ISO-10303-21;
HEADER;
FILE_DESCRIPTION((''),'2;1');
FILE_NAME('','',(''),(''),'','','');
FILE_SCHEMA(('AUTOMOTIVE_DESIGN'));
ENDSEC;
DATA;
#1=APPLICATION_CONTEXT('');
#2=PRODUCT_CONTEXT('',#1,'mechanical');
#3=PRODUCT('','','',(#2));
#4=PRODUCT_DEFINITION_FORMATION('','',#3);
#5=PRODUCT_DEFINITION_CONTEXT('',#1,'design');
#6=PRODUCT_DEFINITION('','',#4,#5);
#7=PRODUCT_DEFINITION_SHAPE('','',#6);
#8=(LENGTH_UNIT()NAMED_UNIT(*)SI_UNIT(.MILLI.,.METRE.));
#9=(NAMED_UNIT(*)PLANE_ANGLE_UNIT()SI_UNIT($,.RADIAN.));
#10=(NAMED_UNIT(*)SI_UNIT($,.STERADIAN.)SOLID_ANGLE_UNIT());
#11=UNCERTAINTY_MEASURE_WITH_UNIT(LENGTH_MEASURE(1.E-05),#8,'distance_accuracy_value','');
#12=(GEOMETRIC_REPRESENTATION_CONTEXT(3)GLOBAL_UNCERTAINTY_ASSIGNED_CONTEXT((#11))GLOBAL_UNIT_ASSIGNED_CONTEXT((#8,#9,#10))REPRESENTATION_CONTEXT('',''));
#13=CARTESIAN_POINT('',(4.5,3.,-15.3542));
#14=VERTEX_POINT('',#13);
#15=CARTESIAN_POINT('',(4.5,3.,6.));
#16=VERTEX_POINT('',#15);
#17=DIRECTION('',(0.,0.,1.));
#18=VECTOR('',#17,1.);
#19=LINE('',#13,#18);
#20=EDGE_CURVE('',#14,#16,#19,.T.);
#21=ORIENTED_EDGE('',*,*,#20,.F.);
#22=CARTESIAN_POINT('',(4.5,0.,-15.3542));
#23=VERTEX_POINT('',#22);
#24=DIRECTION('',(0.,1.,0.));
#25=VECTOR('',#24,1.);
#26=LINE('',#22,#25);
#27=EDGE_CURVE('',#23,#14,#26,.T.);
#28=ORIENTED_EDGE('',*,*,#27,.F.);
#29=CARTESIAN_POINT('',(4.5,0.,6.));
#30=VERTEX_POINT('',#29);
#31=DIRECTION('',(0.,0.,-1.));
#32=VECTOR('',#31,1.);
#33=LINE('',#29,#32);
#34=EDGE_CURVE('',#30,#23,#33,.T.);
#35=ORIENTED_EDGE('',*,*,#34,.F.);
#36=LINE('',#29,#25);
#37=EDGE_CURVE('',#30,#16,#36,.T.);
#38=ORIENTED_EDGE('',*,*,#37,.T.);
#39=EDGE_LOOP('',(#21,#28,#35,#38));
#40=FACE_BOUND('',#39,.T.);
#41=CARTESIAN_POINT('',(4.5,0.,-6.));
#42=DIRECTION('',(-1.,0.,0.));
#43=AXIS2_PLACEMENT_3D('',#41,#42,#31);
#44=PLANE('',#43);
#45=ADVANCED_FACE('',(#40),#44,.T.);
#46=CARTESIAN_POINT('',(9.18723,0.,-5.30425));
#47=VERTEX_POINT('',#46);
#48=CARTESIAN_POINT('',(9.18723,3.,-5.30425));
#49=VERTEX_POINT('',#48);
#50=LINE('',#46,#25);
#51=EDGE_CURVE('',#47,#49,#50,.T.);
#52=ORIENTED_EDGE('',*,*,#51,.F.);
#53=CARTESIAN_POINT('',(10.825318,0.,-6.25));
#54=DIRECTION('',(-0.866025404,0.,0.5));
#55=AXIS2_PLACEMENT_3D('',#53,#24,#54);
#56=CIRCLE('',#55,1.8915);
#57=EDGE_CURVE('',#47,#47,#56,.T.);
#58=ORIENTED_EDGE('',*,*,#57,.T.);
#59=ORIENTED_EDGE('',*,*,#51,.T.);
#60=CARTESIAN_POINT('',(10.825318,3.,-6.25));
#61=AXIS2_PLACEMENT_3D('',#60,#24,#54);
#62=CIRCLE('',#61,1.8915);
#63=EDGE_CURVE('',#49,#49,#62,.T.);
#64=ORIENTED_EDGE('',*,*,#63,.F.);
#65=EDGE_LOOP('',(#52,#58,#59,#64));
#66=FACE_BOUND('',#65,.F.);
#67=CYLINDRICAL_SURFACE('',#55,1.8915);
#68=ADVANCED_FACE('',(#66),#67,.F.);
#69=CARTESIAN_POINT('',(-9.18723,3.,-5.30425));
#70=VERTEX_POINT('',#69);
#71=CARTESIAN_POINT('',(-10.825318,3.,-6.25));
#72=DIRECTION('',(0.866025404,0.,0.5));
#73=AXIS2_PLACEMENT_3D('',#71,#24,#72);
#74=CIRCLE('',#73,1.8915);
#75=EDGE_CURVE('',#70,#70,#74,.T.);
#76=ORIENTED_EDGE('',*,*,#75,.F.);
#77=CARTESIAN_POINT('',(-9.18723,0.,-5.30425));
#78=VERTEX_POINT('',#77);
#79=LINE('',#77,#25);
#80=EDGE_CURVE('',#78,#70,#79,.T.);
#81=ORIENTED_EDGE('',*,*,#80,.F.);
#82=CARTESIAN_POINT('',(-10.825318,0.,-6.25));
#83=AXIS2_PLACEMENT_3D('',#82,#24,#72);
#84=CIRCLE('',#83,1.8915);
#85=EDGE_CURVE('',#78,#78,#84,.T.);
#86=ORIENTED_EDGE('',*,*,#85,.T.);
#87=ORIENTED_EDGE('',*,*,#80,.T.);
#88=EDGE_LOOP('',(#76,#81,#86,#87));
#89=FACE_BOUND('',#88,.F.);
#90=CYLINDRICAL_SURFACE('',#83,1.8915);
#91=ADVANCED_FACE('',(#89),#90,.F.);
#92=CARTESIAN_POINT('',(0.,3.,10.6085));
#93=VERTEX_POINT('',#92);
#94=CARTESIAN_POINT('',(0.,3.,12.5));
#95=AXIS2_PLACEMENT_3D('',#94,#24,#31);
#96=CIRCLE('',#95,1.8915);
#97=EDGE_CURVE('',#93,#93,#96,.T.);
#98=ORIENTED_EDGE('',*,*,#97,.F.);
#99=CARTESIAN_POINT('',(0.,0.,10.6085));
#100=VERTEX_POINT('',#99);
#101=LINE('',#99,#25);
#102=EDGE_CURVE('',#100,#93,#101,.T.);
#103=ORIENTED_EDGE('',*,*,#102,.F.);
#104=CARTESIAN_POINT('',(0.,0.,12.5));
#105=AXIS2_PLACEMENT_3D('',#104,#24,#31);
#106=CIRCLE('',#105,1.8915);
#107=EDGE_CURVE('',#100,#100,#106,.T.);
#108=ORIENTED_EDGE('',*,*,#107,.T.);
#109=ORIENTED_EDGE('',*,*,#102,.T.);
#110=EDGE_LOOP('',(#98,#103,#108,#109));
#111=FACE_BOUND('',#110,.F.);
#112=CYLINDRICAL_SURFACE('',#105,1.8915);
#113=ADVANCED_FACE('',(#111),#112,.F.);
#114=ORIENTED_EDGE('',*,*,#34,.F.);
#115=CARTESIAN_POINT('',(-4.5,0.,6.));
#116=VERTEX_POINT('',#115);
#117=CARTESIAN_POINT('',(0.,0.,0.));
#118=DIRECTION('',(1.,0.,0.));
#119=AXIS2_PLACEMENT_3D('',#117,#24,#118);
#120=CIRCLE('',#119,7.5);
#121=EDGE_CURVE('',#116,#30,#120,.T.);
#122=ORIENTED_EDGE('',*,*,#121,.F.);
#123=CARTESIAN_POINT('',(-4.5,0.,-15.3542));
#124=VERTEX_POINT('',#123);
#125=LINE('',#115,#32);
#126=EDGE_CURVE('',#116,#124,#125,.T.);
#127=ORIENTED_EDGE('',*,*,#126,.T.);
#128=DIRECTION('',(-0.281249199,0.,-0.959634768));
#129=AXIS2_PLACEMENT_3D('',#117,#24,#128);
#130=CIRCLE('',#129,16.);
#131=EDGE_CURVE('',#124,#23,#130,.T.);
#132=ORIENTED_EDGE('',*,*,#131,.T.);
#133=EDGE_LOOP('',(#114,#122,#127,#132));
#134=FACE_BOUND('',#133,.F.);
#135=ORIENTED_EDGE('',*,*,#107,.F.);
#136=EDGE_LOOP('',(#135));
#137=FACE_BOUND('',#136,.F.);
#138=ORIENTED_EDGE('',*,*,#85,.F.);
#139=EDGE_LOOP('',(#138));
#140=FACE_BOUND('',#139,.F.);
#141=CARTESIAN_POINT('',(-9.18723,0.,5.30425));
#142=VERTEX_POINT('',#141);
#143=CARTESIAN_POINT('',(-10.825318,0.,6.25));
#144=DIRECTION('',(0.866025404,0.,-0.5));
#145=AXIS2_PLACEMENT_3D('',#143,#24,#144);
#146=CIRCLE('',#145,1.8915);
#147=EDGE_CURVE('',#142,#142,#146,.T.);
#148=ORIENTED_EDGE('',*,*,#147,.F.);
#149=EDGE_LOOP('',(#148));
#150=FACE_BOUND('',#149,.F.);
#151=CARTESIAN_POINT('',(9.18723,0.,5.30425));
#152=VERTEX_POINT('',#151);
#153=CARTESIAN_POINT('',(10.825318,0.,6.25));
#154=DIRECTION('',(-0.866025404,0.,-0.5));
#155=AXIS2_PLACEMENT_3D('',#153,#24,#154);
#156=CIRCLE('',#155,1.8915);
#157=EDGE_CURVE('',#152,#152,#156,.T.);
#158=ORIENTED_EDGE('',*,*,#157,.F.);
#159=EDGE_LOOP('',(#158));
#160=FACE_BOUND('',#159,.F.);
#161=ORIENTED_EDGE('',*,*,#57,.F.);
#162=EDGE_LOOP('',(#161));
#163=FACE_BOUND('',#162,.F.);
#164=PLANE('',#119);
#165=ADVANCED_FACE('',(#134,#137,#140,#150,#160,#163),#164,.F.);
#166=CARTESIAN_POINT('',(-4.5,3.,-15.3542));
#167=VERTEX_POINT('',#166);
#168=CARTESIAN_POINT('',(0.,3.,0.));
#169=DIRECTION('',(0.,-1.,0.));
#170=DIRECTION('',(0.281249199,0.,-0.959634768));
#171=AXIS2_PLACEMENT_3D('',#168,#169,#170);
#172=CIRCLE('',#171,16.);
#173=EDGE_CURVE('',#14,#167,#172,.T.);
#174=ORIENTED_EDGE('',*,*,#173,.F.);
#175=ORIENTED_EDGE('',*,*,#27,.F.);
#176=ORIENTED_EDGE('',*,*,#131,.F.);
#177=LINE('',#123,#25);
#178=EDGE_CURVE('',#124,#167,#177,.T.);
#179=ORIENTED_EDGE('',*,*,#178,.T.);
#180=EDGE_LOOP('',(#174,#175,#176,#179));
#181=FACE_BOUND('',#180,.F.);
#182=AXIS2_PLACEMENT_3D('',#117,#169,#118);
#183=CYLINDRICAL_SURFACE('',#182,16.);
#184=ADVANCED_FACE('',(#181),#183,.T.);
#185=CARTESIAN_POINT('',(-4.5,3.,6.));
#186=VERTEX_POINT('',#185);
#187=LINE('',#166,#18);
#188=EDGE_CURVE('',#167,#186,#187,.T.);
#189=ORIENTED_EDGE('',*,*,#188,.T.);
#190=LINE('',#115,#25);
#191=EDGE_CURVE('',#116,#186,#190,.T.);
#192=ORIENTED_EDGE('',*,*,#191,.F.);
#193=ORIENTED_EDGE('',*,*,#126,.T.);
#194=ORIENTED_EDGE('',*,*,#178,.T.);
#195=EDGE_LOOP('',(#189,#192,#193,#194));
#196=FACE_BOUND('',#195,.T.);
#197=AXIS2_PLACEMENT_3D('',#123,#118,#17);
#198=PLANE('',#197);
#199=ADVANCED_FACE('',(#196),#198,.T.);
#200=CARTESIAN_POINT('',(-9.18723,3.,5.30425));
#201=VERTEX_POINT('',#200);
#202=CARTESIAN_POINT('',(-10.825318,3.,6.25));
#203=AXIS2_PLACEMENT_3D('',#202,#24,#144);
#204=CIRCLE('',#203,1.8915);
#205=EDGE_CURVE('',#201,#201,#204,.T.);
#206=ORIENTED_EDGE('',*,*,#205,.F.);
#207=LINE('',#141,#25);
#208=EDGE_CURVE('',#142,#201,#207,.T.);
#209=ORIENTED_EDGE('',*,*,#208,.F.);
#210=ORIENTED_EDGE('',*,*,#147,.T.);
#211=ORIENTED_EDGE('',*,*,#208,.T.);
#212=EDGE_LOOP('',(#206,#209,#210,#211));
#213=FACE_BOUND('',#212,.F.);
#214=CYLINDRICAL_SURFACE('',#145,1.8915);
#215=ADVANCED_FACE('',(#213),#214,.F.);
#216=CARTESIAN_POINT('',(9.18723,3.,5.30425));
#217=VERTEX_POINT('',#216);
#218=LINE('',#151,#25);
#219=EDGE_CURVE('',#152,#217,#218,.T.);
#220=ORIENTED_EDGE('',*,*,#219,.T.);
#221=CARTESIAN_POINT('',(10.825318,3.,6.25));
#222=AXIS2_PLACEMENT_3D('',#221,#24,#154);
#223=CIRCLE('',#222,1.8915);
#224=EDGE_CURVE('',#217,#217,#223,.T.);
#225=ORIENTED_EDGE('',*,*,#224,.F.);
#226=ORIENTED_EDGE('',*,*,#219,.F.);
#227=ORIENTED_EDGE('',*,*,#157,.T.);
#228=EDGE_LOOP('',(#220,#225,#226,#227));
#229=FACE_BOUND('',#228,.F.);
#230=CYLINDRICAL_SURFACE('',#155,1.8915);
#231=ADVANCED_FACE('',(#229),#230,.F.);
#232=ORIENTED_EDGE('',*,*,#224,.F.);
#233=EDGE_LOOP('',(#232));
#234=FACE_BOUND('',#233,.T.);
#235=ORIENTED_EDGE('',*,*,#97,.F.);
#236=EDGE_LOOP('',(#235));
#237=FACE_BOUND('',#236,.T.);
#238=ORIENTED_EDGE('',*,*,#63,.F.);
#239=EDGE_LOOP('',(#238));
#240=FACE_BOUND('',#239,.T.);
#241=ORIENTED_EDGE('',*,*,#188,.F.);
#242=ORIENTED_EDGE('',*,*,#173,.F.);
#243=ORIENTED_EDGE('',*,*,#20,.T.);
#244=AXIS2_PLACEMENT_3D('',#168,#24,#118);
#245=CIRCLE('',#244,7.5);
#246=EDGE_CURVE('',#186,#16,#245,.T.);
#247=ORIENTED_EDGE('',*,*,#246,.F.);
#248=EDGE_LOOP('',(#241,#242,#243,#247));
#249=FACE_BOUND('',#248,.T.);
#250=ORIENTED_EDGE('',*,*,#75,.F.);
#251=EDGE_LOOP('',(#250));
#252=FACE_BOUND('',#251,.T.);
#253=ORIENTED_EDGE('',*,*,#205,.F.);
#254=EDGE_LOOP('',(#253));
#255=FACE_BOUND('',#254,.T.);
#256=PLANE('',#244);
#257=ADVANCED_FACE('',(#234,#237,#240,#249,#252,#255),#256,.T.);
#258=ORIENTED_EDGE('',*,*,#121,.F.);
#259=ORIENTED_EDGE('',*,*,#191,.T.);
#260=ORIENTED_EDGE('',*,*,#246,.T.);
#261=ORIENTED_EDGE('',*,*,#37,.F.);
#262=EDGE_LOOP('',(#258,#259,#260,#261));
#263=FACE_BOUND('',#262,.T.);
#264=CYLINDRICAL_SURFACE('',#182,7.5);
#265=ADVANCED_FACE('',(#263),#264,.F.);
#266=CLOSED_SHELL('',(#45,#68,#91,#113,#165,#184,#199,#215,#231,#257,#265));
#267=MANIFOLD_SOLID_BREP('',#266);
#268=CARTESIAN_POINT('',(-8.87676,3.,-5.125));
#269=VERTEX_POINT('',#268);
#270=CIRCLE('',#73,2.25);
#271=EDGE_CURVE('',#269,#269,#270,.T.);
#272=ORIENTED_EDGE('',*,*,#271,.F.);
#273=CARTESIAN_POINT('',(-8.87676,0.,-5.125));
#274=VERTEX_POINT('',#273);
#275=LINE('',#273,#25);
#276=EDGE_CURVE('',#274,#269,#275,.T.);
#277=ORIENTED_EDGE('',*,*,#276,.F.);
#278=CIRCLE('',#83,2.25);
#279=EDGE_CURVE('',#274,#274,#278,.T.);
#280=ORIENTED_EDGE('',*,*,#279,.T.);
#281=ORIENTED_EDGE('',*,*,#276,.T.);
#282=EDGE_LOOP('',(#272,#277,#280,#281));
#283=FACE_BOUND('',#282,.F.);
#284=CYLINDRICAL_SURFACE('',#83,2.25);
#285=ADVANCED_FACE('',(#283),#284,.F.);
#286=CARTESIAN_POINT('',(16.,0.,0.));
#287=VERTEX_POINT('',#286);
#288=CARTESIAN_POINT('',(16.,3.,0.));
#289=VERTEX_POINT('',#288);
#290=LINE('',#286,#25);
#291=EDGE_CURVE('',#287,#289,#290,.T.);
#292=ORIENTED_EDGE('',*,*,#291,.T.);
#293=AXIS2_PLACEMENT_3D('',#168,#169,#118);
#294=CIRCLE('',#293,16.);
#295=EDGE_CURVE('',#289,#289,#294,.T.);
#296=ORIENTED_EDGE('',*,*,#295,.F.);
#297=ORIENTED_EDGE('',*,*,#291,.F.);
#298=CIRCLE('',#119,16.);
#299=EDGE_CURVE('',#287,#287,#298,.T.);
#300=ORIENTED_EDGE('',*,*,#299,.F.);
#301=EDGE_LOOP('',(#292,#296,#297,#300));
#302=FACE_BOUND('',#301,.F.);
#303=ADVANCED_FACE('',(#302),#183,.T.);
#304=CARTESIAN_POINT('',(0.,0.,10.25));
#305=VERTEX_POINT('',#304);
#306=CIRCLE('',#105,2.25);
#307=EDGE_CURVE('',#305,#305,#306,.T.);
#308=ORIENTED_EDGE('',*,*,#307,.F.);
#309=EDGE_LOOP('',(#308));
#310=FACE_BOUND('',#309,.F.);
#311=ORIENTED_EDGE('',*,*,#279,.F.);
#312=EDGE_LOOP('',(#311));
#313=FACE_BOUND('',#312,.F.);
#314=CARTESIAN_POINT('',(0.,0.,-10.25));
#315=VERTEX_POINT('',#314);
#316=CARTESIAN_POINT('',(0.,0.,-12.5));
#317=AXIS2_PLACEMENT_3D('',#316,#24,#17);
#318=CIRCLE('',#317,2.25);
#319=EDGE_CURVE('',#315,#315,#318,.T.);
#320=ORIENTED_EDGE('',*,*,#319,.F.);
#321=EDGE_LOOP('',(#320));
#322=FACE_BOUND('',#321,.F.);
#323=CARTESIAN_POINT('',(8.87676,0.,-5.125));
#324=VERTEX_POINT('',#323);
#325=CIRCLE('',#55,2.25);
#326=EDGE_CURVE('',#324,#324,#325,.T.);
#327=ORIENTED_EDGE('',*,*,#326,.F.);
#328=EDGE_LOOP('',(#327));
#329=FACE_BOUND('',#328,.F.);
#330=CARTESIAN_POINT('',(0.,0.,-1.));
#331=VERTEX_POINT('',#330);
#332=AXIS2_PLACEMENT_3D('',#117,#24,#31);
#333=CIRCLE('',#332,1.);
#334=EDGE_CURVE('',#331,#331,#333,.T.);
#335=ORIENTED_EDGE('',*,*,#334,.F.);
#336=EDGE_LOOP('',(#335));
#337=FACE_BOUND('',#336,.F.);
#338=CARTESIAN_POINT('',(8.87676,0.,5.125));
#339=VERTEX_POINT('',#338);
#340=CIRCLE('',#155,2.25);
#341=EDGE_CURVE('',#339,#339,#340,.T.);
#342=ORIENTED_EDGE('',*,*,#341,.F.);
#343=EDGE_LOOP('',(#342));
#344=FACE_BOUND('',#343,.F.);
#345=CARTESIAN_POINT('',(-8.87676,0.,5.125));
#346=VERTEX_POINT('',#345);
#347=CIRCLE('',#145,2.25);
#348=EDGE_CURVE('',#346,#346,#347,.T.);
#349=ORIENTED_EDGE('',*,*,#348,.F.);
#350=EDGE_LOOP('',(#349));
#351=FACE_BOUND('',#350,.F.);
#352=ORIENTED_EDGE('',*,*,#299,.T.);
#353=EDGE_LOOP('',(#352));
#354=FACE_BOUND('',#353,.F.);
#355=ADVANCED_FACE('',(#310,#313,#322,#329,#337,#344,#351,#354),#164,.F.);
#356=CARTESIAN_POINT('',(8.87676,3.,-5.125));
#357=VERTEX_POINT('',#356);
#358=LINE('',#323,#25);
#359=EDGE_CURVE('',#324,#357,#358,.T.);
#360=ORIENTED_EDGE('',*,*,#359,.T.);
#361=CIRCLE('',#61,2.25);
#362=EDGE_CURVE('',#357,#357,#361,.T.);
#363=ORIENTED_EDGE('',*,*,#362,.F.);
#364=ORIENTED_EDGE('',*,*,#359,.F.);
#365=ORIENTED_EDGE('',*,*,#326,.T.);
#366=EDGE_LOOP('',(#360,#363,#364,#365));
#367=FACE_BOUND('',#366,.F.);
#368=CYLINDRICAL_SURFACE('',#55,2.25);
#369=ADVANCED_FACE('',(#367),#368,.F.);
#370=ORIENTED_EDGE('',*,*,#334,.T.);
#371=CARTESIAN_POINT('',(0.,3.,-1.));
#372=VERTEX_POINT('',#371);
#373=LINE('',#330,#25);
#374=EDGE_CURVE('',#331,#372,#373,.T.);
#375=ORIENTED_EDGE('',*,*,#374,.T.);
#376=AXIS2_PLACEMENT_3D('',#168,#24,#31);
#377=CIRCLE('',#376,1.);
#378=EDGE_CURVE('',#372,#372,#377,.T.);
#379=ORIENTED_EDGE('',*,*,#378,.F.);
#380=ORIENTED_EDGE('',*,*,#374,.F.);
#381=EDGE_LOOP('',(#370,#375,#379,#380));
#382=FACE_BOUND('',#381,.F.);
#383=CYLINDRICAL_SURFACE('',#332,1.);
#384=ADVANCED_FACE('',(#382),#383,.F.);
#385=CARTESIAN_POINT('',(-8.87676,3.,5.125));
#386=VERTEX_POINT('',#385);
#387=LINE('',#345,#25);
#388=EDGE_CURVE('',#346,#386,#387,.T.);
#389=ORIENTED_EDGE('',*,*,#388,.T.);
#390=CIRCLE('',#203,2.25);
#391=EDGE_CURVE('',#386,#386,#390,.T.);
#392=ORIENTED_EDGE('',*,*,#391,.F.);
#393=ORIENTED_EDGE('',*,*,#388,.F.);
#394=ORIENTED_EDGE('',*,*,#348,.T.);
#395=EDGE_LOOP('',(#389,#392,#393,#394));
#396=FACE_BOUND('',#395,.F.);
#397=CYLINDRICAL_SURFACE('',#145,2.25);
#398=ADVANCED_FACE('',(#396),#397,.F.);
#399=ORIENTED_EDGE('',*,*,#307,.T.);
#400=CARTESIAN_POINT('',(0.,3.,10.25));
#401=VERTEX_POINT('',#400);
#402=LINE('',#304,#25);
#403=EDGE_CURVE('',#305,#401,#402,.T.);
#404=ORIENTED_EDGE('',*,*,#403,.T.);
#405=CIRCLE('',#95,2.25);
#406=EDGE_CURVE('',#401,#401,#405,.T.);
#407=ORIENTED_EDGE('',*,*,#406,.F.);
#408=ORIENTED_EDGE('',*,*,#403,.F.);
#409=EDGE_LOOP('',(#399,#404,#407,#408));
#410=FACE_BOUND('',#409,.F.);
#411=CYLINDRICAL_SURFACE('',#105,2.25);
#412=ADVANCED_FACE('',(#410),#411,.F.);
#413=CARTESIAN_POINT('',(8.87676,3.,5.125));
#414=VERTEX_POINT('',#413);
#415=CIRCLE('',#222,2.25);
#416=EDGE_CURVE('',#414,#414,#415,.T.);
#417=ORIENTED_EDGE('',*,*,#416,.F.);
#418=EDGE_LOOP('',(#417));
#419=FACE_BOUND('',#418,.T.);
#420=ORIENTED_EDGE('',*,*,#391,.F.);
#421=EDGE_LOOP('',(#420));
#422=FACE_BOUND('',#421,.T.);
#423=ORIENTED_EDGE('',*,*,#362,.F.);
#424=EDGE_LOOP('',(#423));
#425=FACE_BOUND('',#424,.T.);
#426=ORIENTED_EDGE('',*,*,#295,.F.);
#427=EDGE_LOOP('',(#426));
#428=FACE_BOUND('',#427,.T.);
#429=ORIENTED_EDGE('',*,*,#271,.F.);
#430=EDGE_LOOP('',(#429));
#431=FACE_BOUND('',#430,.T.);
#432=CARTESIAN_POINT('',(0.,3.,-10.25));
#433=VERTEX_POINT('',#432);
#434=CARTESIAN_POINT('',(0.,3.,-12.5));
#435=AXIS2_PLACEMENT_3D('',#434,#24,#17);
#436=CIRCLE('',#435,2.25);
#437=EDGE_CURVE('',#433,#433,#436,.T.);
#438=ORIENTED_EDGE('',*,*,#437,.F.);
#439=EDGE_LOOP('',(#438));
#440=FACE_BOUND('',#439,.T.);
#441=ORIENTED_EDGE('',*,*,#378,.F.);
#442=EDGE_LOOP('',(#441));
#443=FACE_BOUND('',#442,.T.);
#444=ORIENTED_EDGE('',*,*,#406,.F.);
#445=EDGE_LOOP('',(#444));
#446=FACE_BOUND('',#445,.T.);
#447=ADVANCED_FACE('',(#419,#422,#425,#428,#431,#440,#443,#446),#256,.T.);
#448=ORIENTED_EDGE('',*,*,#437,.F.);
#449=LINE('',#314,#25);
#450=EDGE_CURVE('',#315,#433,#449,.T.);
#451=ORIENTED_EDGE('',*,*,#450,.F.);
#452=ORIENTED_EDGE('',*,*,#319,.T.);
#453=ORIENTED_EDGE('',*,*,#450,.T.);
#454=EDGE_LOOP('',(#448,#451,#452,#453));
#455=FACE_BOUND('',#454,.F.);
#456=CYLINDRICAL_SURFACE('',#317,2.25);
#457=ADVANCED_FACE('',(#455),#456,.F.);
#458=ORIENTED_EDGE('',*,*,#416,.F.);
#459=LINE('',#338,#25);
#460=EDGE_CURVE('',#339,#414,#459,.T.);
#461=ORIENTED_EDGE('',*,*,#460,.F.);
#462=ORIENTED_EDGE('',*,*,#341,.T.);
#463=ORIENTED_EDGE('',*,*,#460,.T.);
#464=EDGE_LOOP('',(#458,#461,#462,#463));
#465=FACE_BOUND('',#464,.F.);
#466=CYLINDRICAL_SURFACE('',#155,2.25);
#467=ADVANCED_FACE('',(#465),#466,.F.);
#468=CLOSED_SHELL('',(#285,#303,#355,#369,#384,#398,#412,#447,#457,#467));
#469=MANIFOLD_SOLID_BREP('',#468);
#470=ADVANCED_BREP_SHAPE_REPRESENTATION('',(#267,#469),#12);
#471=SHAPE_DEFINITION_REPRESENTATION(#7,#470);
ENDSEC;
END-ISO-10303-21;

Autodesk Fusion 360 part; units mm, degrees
sketch "Sketch1" plane through (0, 0, 0) normal (0, 1, 0) x (1, 0, 0)
  circle A0 centre (0, 0) radius 16
  circle A1 centre (0, 0) radius 7.5
  line L0 (-4.5, 15.3542) -> (-4.5, -6)
  line L1 (4.5, -6) -> (4.5, 15.3542)
  circle A2 centre (0, 0) radius 12.5 construction
  point P0 (0, -12.5)
  dimension "d1" = 32
  dimension "d2" = 15
  dimension "d3" = 9
  dimension "d4" = 25
extrude "Extrude1" add sketch "Sketch1" along normal blind 3 contours A0 A1 L0 L1 | A1 L1 | A1 L0 picked at (10.3483, -8.0939) makes body 1
hole "Hole1" at (0, 0, 12.5) direction (0, 1, 0) diameter 3.783 end through all bodies 1 1
pattern_circular "C-Pattern1" count 6 over 360 about axis through (0, 1.75, 0) along (0, 1, 0) of "Hole1"
extrude "Extrude2" add sketch "Sketch1" along normal blind 3 separate body makes body 2
hole "Hole2" at (0, 0, 12.5) direction (0, 1, 0) diameter 4.5 depth 3 tip angle 118 bodies 2
pattern_circular "C-Pattern2" count 6 over 360 about axis through (0, 1.75, 0) along (0, 1, 0) of "Hole2"
hole "Hole3" at (0, 0, 0) direction (0, 1, 0) diameter 2 end through all bodies 2 2
copy_body "Body->Comp1" bodies 1 removing the originals makes body 3 in component "LC"
copy_body "Body->Comp2" bodies 2 removing the originals makes body 4 in component "UC"
sketch "Sketch2" plane through (0, 3, 0) normal (0, 1, 0) x (-1, 0, 0)
  circle A0 centre (0, 0) radius 1
  circle A1 centre (10.8253, 6.25) radius 2.25
  circle A2 centre (10.8253, -6.25) radius 2.25
  circle A3 centre (0, -12.5) radius 2.25
  circle A4 centre (-10.8253, -6.25) radius 2.25
  circle A5 centre (-10.8253, 6.25) radius 2.25
  circle A6 centre (0, 12.5) radius 2.25
  circle A7 centre (0, 0) radius 16
sketch "Sketch3" plane through (0, 3, 0) normal (0, 1, 0) x (-1, 0, 0)
  circle A0 centre (10.8253, 6.25) radius 1.8916
  circle A1 centre (10.8253, -6.25) radius 1.8916
  circle A2 centre (-10.8253, -6.25) radius 1.8915
  circle A3 centre (-10.8253, 6.25) radius 1.8915
  circle A4 centre (0, 12.5) radius 1.8916
  arc A5 (4.5, -15.3542) -> (-4.5, -15.3542) centre (0, 0) ccw
  line L0 (-4.5, -15.3542) -> (-4.5, 6)
  arc A6 (4.5, 6) -> (-4.5, 6) centre (0, 0) ccw
  line L1 (4.5, 6) -> (4.5, -15.3542)
component "LC" placed x (1, 0, 0) y (0, 1, 0) z (0, 0, 1) at (0, 0, 0)
component "UC" placed x (1, 0, 0) y (0, 1, 0) z (0, 0, 1) at (0, 0, 0)
